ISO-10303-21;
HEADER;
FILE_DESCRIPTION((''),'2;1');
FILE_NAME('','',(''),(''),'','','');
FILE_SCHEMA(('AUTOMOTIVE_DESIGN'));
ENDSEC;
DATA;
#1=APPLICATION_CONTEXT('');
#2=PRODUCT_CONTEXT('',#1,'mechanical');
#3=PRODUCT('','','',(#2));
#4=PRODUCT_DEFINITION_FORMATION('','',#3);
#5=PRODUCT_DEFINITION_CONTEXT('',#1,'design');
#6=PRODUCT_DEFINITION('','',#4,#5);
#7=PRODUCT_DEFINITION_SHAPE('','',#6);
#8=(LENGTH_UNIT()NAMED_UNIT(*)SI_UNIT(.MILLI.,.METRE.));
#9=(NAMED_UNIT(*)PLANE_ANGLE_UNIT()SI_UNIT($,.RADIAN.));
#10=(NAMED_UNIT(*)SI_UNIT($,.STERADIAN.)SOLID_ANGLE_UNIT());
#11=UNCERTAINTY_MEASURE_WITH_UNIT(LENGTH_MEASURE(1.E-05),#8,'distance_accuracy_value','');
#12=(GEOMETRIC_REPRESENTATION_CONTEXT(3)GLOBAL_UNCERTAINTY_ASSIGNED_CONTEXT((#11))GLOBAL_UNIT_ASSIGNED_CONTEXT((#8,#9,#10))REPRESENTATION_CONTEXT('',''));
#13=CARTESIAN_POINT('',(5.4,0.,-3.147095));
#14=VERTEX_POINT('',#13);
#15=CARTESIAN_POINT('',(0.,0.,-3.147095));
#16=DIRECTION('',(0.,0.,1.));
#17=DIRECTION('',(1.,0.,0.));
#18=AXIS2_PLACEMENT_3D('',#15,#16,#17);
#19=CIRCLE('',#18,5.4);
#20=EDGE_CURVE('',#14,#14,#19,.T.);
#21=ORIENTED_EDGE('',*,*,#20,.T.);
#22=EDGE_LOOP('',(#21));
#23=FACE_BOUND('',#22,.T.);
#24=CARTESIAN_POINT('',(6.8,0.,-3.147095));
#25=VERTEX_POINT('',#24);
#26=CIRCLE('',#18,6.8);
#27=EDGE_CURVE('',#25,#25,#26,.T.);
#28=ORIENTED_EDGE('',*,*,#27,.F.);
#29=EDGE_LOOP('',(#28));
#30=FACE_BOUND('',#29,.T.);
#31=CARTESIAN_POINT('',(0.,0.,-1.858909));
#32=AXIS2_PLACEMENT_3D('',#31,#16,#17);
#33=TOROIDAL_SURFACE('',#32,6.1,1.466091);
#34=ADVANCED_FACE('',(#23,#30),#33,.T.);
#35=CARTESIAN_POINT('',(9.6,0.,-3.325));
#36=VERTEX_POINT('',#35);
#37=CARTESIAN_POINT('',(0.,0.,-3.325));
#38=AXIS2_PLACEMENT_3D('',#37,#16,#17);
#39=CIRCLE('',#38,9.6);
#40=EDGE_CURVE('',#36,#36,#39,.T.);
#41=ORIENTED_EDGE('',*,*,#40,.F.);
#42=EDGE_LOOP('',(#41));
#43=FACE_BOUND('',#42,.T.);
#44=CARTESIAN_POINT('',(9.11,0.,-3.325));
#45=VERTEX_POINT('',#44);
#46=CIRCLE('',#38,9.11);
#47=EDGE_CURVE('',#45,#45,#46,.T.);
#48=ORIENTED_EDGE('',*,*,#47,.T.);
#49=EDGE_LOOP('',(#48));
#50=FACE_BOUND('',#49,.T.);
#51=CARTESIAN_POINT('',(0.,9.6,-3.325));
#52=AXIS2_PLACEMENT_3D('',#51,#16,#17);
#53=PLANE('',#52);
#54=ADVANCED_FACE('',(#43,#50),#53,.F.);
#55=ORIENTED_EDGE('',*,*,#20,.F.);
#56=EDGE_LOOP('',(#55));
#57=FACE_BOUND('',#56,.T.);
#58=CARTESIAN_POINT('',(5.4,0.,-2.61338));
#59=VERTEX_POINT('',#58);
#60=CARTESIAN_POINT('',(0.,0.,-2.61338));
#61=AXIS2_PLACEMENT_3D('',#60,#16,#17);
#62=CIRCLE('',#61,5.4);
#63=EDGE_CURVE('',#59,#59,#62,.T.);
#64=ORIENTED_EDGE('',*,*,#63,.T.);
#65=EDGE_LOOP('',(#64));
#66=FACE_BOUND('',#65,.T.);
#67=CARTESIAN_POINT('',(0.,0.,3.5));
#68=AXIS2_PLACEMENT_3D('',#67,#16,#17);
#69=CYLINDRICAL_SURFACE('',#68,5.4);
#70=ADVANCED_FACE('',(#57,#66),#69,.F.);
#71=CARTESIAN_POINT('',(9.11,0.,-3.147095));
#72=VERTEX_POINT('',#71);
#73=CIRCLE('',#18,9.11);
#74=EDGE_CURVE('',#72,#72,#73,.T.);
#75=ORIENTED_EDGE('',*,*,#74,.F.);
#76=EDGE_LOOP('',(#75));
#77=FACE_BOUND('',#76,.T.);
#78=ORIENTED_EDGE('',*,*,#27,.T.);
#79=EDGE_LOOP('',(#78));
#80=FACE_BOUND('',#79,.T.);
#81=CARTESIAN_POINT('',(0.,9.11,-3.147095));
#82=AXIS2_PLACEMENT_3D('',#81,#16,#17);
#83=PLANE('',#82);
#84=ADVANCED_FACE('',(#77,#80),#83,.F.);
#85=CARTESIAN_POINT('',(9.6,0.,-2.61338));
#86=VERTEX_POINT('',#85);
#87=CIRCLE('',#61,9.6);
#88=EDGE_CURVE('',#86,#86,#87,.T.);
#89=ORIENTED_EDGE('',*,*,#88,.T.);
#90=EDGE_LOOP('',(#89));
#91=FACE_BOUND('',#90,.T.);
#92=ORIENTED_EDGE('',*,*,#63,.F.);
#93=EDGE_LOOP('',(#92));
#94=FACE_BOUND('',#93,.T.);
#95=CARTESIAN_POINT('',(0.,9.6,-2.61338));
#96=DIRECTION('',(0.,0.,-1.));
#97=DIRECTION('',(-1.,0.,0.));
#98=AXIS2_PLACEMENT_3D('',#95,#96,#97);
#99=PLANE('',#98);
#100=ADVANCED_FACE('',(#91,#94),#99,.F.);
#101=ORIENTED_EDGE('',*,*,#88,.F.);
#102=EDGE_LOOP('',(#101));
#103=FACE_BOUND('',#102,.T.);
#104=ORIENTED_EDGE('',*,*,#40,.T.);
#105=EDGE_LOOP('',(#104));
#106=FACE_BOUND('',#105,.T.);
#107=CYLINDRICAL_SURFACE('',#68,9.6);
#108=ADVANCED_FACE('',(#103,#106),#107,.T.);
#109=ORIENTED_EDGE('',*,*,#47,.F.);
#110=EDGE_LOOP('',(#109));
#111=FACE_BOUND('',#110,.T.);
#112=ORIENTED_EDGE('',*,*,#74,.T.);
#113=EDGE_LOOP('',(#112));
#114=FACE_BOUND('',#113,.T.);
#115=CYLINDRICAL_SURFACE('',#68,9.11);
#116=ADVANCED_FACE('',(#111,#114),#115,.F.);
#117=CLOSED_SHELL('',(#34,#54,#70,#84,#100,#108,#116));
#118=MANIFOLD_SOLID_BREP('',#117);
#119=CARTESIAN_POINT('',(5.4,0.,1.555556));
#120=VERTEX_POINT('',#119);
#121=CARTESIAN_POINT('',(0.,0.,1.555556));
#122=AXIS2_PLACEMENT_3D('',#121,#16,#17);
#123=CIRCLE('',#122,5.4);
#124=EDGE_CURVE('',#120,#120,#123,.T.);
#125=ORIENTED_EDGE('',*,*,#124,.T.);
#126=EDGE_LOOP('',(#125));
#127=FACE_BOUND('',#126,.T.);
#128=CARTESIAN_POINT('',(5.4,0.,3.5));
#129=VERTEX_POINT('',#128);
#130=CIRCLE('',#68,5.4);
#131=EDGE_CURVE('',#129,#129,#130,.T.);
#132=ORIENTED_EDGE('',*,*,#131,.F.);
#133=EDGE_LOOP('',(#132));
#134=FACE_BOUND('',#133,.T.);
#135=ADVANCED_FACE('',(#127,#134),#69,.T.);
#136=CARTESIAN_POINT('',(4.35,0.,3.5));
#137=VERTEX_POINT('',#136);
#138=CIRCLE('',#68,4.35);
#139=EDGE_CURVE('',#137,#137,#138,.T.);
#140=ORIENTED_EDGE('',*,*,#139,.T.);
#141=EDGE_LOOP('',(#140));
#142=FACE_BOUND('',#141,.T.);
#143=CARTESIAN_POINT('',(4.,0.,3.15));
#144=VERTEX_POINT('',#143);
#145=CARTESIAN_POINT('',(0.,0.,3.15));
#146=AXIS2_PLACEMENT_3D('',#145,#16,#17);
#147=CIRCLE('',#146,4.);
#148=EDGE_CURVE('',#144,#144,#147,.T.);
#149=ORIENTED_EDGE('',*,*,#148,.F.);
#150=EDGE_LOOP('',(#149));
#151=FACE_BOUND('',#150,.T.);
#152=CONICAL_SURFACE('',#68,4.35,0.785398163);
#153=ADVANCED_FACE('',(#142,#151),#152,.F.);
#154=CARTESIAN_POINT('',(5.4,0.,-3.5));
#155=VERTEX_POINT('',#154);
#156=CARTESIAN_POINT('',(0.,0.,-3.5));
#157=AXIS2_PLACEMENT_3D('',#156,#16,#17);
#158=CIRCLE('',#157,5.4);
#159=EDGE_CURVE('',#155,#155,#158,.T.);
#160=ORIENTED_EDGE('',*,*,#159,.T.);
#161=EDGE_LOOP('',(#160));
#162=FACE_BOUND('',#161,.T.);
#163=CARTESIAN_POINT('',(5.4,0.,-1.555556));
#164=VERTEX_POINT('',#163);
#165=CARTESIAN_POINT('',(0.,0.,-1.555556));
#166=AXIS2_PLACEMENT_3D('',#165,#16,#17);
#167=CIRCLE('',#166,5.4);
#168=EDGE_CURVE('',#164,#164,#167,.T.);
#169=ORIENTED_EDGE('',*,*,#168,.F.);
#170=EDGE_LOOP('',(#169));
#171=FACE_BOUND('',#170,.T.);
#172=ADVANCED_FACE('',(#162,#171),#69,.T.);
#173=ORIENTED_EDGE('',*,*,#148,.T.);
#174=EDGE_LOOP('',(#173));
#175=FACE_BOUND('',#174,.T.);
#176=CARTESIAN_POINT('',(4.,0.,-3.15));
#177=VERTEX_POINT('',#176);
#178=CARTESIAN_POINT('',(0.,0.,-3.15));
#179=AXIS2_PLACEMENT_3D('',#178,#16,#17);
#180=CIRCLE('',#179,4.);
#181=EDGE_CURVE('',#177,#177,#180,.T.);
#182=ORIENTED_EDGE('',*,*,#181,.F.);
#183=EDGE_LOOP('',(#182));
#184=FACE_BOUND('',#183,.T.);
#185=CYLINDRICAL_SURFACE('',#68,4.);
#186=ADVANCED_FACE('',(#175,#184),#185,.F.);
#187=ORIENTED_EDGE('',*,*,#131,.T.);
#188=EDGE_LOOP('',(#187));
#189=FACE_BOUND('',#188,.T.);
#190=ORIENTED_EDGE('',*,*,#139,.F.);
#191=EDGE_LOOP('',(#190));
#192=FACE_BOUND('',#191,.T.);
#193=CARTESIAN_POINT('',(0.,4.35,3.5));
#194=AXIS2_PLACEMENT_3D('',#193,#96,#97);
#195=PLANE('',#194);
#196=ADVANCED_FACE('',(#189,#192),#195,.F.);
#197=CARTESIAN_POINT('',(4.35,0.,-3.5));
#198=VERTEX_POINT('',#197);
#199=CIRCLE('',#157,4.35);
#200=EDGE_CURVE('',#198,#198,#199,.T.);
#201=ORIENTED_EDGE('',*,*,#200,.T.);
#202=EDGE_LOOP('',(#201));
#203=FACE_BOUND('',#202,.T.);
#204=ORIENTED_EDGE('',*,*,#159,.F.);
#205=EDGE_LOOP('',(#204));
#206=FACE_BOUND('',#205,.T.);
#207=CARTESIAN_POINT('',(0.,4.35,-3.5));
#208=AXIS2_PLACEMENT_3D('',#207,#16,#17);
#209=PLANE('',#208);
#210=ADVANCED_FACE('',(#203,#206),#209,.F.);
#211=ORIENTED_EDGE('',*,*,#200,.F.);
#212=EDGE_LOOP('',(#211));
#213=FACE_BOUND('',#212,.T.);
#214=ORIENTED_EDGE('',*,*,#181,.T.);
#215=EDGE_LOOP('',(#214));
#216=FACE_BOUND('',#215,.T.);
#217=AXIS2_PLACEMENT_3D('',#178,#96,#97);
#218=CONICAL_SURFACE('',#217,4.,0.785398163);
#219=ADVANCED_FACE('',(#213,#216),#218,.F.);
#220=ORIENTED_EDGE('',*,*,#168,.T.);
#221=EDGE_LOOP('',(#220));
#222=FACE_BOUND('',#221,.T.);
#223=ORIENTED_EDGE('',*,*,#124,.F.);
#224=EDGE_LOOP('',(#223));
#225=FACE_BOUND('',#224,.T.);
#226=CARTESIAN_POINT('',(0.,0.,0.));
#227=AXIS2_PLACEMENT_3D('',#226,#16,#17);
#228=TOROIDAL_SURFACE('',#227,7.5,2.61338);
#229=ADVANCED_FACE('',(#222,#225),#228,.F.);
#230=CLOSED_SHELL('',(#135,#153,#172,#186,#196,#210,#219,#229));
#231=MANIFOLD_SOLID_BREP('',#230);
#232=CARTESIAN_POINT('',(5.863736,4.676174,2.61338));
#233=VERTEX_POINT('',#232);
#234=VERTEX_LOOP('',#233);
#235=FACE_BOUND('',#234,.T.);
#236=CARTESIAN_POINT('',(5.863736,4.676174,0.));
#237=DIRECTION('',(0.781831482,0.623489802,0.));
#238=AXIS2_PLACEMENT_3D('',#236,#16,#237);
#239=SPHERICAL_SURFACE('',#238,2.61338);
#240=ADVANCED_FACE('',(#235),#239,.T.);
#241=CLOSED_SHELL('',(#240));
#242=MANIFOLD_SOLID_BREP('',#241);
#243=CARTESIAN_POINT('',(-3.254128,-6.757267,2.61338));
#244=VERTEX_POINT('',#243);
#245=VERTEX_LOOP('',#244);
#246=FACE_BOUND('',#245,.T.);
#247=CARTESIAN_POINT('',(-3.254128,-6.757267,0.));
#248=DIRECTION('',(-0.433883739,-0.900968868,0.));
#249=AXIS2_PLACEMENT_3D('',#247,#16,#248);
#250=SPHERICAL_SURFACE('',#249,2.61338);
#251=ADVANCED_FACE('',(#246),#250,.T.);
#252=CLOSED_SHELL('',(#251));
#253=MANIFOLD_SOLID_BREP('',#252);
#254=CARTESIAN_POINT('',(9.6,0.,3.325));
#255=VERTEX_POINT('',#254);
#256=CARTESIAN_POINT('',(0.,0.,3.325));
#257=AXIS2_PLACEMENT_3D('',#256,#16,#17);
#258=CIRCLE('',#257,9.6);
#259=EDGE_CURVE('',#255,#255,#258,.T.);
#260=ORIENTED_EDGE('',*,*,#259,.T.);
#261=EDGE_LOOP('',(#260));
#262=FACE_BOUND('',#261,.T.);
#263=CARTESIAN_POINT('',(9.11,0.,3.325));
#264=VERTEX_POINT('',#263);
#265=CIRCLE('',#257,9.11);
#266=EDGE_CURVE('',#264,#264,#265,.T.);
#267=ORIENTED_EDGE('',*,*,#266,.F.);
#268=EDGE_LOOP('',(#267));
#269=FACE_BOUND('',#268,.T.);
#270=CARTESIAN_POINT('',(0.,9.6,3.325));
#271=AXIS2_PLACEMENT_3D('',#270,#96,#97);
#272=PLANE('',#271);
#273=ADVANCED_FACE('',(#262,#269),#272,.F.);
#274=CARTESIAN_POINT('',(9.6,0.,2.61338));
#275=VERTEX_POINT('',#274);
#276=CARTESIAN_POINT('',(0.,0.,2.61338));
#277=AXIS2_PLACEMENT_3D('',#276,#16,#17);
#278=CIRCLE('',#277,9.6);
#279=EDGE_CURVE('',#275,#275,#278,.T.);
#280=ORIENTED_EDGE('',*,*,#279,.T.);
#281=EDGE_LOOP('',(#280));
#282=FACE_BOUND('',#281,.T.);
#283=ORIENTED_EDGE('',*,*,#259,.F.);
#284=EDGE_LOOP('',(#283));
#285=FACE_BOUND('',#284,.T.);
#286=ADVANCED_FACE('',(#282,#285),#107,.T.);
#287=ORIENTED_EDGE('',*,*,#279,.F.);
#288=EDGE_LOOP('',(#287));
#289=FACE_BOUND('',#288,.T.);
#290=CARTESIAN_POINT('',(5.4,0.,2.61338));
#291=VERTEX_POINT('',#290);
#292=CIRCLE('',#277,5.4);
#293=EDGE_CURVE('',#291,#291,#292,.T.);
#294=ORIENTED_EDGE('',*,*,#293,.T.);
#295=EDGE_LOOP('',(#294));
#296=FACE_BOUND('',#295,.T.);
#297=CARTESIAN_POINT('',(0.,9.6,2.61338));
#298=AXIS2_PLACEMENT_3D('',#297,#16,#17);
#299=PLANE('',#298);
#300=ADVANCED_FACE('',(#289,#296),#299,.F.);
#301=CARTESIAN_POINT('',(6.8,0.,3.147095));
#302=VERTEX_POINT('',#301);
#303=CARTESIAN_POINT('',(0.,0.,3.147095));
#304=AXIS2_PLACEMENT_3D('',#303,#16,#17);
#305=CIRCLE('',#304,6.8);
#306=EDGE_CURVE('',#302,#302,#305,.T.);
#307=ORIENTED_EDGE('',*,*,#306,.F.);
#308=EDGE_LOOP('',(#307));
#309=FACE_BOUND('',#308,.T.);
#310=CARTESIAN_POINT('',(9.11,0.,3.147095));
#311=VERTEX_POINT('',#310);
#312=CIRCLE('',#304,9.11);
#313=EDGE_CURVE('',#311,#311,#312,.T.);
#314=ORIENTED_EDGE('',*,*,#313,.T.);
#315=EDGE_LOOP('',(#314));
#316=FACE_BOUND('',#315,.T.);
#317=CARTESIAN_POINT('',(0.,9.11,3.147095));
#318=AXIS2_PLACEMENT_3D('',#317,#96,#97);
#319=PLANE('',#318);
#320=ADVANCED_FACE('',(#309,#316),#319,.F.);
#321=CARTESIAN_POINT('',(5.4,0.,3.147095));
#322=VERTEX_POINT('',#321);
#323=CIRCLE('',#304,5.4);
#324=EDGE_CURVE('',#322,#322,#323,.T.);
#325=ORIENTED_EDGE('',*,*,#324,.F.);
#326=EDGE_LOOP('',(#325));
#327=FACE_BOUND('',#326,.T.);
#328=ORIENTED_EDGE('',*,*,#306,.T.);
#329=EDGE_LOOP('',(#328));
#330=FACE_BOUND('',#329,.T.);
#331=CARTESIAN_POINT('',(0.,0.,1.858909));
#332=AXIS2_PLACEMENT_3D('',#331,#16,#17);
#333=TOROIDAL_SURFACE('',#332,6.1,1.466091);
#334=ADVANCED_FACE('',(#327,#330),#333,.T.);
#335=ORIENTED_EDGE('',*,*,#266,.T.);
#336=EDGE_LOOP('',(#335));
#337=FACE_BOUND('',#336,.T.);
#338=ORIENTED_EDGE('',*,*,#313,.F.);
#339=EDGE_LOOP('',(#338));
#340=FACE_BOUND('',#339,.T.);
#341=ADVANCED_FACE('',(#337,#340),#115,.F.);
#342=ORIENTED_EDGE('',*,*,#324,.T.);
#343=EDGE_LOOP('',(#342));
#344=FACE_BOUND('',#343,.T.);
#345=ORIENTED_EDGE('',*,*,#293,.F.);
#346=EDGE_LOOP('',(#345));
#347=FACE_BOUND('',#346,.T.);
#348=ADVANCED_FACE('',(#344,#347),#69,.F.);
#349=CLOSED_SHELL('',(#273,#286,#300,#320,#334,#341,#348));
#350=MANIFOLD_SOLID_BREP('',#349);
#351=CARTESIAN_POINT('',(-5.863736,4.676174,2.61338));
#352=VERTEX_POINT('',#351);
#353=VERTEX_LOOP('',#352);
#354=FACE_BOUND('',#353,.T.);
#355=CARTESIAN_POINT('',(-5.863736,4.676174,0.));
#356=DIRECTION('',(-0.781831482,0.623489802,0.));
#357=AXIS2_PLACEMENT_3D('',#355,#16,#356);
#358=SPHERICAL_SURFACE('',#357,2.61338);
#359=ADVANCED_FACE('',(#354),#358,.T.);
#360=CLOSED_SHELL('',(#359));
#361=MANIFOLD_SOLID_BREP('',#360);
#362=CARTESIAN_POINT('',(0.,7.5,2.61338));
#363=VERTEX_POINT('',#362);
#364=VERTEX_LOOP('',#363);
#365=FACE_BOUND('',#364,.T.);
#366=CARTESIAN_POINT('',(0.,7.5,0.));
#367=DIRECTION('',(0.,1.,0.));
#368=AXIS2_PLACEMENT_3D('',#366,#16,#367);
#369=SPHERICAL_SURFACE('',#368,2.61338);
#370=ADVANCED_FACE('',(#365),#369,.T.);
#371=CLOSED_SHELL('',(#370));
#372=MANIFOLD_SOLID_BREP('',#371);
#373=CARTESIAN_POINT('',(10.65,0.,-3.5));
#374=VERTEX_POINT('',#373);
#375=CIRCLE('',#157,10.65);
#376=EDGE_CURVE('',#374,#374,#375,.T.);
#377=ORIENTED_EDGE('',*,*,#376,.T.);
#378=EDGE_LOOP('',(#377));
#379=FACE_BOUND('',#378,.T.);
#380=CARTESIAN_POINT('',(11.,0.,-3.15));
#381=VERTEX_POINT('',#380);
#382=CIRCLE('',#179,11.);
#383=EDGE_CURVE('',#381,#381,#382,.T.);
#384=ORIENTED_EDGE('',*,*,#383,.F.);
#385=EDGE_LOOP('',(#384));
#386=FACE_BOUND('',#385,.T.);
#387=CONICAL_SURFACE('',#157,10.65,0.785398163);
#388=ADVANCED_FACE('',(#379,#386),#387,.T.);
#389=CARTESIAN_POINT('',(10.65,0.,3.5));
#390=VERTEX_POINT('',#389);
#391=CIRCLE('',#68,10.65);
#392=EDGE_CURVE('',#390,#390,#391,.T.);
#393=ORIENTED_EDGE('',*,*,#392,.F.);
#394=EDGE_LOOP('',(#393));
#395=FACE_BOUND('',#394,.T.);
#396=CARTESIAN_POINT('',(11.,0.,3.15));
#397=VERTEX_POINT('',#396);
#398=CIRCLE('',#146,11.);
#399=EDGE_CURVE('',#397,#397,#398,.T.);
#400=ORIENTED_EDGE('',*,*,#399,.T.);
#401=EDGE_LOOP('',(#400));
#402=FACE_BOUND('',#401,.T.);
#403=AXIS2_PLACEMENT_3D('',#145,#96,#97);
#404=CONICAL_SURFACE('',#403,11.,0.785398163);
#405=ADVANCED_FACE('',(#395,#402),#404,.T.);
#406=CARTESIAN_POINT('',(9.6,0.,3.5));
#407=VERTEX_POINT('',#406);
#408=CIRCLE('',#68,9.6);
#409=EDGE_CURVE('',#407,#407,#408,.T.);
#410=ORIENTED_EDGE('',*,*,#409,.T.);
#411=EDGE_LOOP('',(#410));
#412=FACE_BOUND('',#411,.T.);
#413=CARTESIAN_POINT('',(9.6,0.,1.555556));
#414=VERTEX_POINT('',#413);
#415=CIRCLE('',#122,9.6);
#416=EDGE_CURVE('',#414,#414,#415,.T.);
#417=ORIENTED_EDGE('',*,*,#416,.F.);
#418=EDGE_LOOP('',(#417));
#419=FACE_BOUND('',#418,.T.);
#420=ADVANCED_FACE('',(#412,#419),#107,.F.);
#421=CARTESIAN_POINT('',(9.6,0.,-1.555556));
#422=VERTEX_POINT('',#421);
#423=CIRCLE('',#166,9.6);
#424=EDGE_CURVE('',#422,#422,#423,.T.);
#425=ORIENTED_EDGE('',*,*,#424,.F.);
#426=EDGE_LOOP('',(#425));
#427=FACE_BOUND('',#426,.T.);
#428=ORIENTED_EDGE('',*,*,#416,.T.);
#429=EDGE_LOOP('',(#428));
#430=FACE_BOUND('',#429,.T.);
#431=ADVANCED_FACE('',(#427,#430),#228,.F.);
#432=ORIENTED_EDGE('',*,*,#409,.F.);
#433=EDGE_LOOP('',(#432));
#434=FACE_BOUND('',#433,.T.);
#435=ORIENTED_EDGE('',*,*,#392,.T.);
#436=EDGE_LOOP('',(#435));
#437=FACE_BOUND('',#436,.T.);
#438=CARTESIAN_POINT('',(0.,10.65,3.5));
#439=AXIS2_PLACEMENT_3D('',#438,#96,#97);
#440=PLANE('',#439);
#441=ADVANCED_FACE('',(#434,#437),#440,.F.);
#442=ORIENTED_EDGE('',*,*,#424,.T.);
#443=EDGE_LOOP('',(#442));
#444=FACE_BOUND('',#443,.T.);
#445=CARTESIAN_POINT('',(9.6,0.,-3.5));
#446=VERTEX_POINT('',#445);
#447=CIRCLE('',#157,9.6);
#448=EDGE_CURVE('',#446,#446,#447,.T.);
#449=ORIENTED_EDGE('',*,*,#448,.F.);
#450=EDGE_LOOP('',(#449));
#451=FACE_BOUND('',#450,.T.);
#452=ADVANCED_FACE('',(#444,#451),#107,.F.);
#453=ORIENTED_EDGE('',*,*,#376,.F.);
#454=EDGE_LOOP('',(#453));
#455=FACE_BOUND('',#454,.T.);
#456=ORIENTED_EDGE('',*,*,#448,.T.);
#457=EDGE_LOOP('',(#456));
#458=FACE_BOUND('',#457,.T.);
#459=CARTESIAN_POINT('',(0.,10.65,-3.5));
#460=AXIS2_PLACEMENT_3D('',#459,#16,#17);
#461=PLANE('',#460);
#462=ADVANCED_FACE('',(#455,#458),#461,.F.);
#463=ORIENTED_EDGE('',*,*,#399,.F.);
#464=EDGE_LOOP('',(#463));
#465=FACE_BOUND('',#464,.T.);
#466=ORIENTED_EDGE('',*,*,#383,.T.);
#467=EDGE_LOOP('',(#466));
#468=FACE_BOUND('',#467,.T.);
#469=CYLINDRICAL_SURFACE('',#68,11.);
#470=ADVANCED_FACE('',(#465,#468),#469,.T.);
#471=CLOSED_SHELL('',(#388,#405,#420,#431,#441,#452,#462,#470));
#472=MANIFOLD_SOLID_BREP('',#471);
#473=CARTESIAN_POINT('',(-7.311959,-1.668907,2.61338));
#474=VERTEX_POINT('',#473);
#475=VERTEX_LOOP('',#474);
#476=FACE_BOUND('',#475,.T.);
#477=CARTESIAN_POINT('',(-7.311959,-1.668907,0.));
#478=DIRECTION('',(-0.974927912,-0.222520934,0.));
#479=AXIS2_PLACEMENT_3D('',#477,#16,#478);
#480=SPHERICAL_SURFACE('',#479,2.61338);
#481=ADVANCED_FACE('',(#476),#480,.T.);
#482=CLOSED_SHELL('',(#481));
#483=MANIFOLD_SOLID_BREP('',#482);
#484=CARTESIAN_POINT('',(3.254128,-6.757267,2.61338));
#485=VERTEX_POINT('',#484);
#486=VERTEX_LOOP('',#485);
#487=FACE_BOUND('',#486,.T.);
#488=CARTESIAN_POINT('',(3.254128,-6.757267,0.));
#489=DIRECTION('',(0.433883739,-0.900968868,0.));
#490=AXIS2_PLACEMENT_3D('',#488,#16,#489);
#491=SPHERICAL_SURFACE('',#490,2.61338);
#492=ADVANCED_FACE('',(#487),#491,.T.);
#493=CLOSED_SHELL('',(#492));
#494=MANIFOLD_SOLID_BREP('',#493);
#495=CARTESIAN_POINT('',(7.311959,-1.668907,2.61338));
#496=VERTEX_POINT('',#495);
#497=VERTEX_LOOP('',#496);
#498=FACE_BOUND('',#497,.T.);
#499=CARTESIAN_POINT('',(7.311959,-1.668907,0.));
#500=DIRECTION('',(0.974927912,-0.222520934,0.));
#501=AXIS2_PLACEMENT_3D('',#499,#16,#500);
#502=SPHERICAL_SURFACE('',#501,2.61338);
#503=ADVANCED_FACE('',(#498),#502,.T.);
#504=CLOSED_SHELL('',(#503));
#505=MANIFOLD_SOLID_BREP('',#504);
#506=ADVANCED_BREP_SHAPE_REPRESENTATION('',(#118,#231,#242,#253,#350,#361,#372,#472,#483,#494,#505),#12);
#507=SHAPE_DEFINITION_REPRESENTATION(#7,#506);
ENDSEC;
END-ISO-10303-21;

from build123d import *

# Parameters (mm, degrees)
CIRPATTERN1_COUNT = 7


with BuildPart() as part:
    # Sketch3 → Revolve1 (revolve)
    with BuildSketch(Plane(origin=(0, 0, 0), x_dir=(0, 0, -1), z_dir=(1, 0, 0))):
        with BuildLine():
            Line((-3.5, 10.65), (-3.5, 9.6))
            Line((-3.5, 9.6), (-1.555555556, 9.6))
            ThreePointArc((-1.555555556, 9.6), (0, 10.113379629), (1.555555556, 9.6))
            Line((1.555555556, 9.6), (3.5, 9.6))
            Line((3.5, 9.6), (3.5, 10.65))
            Line((3.5, 10.65), (3.15, 11))
            Line((3.15, 11), (-3.15, 11))
            Line((-3.15, 11), (-3.5, 10.65))
        make_face()
        with BuildLine():
            Line((-3.5, 4.35), (-3.5, 5.4))
            Line((-3.5, 5.4), (-1.555555556, 5.4))
            ThreePointArc((-1.555555556, 5.4), (0, 4.886620371), (1.555555556, 5.4))
            Line((1.555555556, 5.4), (3.5, 5.4))
            Line((3.5, 5.4), (3.5, 4.35))
            Line((3.5, 4.35), (3.15, 4))
            Line((3.15, 4), (-3.15, 4))
            Line((-3.15, 4), (-3.5, 4.35))
        make_face()
    revolve(axis=Axis((0, 0, 3.5), (0, 0, -1)))


with BuildPart() as body_2:
    # Sketch4 → Revolve2 (revolve)
    with BuildSketch(Plane(origin=(0, 0, 0), x_dir=(0, 0, -1), z_dir=(1, 0, 0))):
        with BuildLine():
            Line((-2.613379629, 7.5), (2.613379629, 7.5))
            ThreePointArc((2.613379629, 7.5), (0, 10.113379629), (-2.613379629, 7.5))
        make_face()
    revolve(axis=Axis((0, 7.5, 2.613379629), (0, 0, -1)))


with BuildPart() as cirpattern1_1:
    # CirPattern1: pattern copy
    add(body_2.part.rotate(Axis((0, 0, 0), (0, 0, 1)), 1 * 360 / CIRPATTERN1_COUNT))


with BuildPart() as cirpattern1_2:
    # CirPattern1: pattern copy
    add(body_2.part.rotate(Axis((0, 0, 0), (0, 0, 1)), 2 * 360 / CIRPATTERN1_COUNT))


with BuildPart() as cirpattern1_3:
    # CirPattern1: pattern copy
    add(body_2.part.rotate(Axis((0, 0, 0), (0, 0, 1)), 3 * 360 / CIRPATTERN1_COUNT))


with BuildPart() as cirpattern1_4:
    # CirPattern1: pattern copy
    add(body_2.part.rotate(Axis((0, 0, 0), (0, 0, 1)), 4 * 360 / CIRPATTERN1_COUNT))


with BuildPart() as cirpattern1_5:
    # CirPattern1: pattern copy
    add(body_2.part.rotate(Axis((0, 0, 0), (0, 0, 1)), 5 * 360 / CIRPATTERN1_COUNT))


with BuildPart() as cirpattern1_6:
    # CirPattern1: pattern copy
    add(body_2.part.rotate(Axis((0, 0, 0), (0, 0, 1)), 6 * 360 / CIRPATTERN1_COUNT))


with BuildPart() as body_9:
    # Sketch5 → Revolve3 (revolve)
    with BuildSketch(Plane(origin=(0, 0, 0), x_dir=(0, 0, -1), z_dir=(1, 0, 0))):
        with BuildLine():
            Line((-3.325, 9.6), (-2.613379629, 9.6))
            Line((-2.613379629, 9.6), (-2.613379629, 5.4))
            Line((-2.613379629, 5.4), (-3.147094907, 5.4))
            ThreePointArc((-3.147094907, 5.4), (-3.325, 6.1), (-3.147094907, 6.8))
            Line((-3.147094907, 6.8), (-3.147094907, 9.11))
            Line((-3.147094907, 9.11), (-3.325, 9.11))
            Line((-3.325, 9.11), (-3.325, 9.6))
        make_face()
        with BuildLine():
            Line((3.147094907, 5.4), (2.613379629, 5.4))
            Line((2.613379629, 5.4), (2.613379629, 9.6))
            Line((2.613379629, 9.6), (3.325, 9.6))
            Line((3.325, 9.6), (3.325, 9.11))
            Line((3.325, 9.11), (3.147094907, 9.11))
            Line((3.147094907, 9.11), (3.147094907, 6.8))
            ThreePointArc((3.147094907, 6.8), (3.325, 6.1), (3.147094907, 5.4))
        make_face()
    revolve(axis=Axis((0, 0, 3.5), (0, 0, -1)))


solid = Compound([part.part, body_2.part, cirpattern1_1.part, cirpattern1_2.part, cirpattern1_3.part, cirpattern1_4.part, cirpattern1_5.part, cirpattern1_6.part, body_9.part])
